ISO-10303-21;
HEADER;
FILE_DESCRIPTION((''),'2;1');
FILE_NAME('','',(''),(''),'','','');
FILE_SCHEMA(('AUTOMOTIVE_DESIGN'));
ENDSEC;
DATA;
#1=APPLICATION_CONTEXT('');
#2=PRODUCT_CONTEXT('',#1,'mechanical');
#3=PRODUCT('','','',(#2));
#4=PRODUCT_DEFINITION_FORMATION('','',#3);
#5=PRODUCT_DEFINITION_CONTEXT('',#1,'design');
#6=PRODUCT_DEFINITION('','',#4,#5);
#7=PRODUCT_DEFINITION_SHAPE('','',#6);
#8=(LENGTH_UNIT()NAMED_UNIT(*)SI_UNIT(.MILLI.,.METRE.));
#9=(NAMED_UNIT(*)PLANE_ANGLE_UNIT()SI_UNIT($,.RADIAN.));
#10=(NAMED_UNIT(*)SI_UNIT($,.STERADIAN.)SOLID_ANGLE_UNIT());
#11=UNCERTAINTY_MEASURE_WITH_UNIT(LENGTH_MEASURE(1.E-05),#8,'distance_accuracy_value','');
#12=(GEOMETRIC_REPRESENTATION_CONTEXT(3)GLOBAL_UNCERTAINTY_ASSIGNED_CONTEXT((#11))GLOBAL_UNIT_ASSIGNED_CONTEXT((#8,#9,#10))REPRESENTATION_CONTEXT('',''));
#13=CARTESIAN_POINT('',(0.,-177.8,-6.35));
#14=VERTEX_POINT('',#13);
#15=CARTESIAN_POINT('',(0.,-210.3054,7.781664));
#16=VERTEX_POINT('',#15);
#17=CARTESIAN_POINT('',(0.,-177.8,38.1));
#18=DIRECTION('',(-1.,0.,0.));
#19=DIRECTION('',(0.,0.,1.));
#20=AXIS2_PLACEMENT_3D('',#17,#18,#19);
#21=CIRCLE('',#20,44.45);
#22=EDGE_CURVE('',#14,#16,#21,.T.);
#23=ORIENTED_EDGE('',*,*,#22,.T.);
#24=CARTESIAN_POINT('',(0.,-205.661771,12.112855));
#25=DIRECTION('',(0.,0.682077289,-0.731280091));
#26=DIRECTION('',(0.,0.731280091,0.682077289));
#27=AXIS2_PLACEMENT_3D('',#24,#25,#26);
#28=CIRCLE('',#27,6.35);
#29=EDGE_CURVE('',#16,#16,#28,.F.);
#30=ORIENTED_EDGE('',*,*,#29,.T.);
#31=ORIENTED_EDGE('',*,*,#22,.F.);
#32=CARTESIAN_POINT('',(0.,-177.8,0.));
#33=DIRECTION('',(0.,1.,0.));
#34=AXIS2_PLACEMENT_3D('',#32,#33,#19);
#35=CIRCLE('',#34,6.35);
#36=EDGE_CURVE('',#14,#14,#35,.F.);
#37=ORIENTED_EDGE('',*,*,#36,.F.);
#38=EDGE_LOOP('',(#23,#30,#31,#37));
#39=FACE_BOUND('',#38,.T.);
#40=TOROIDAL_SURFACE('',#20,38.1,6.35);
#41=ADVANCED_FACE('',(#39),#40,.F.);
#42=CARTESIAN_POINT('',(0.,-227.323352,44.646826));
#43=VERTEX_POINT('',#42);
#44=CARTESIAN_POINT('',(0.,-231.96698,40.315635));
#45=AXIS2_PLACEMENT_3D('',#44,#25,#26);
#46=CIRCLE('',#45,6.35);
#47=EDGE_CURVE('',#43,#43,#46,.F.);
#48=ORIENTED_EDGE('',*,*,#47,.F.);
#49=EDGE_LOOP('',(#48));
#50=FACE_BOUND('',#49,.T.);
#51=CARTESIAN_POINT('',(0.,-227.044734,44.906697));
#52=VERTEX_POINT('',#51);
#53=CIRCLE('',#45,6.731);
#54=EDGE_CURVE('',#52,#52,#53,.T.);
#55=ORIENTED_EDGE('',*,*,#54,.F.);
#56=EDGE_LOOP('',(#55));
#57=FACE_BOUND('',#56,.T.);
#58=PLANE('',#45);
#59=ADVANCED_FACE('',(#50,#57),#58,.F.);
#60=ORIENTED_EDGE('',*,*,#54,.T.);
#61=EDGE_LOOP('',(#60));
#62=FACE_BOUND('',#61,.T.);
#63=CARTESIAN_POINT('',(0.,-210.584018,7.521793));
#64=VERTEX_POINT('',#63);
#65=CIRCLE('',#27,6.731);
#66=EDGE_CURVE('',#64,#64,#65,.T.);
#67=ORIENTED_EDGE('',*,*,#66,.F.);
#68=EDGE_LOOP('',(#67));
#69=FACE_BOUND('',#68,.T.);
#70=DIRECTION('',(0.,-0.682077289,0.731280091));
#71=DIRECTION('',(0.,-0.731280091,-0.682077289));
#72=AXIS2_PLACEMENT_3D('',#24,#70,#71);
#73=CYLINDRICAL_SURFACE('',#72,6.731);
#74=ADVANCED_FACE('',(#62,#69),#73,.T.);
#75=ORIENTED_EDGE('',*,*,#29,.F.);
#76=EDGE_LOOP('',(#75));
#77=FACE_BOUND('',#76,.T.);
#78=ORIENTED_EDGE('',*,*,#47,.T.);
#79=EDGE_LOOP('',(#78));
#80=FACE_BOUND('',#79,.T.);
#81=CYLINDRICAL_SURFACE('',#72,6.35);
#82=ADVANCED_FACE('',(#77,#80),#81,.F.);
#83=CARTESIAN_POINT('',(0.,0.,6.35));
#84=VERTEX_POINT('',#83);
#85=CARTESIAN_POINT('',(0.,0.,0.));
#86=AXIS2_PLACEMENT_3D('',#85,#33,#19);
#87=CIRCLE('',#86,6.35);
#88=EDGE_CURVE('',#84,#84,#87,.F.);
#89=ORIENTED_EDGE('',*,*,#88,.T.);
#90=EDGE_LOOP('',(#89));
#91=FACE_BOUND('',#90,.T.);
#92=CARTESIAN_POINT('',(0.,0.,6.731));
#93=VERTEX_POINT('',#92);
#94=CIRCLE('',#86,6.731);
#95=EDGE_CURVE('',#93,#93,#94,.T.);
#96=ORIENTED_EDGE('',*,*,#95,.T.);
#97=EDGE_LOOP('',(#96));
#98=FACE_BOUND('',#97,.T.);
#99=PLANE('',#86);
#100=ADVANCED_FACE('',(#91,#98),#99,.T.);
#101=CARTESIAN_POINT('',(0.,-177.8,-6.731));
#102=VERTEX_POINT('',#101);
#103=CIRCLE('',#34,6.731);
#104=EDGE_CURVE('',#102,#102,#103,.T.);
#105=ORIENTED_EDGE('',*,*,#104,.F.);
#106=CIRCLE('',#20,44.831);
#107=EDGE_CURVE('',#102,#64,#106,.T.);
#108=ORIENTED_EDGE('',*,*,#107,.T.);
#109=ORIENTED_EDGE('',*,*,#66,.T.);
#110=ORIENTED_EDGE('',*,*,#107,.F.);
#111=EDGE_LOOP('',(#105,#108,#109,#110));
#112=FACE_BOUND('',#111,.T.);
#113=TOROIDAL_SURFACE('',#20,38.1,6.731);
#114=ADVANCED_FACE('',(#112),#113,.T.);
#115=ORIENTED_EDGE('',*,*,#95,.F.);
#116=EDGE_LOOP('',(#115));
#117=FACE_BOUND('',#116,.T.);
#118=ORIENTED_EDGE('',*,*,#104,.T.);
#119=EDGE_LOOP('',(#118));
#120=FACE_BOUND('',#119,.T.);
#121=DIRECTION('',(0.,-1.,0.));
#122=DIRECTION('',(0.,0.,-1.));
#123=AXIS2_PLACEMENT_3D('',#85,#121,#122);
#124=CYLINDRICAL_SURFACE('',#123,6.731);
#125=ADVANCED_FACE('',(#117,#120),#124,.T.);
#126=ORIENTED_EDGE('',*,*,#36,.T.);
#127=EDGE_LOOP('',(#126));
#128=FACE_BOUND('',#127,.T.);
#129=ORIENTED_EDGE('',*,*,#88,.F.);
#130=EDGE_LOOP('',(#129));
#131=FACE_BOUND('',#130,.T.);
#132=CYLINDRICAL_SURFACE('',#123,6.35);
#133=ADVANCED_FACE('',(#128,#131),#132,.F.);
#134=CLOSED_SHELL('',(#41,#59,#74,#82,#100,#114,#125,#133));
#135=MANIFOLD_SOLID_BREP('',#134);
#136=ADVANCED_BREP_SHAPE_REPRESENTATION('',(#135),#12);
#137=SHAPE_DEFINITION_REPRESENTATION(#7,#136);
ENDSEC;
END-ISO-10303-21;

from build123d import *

# Parameters (mm, degrees)
SKETCH1_R   = 6.731
SKETCH1_R_2 = 6.35


with BuildPart() as part:
    # Sweep1: sweep along a path in Sketch2
    with BuildLine(Plane(origin=(0, 0, 0), x_dir=(0, 0, -1), z_dir=(1, 0, 0))) as sweep1_path:
        Line((0, 0), (0, -177.8))
        ThreePointArc((0, -177.8), (-3.159191381, -192.99045401), (-12.112855277, -205.661771465))
        Line((-12.112855277, -205.661771465), (-40.315635139, -231.966980478))
    # Sketch1 → Sweep1 (sweep)
    with BuildSketch(Plane(origin=(0, 0, 0), x_dir=(1, 0, 0), z_dir=(0, 1, 0))):
        Circle(SKETCH1_R)
        Circle(SKETCH1_R_2, mode=Mode.SUBTRACT)
    sweep(path=sweep1_path.line)


solid = part.part
